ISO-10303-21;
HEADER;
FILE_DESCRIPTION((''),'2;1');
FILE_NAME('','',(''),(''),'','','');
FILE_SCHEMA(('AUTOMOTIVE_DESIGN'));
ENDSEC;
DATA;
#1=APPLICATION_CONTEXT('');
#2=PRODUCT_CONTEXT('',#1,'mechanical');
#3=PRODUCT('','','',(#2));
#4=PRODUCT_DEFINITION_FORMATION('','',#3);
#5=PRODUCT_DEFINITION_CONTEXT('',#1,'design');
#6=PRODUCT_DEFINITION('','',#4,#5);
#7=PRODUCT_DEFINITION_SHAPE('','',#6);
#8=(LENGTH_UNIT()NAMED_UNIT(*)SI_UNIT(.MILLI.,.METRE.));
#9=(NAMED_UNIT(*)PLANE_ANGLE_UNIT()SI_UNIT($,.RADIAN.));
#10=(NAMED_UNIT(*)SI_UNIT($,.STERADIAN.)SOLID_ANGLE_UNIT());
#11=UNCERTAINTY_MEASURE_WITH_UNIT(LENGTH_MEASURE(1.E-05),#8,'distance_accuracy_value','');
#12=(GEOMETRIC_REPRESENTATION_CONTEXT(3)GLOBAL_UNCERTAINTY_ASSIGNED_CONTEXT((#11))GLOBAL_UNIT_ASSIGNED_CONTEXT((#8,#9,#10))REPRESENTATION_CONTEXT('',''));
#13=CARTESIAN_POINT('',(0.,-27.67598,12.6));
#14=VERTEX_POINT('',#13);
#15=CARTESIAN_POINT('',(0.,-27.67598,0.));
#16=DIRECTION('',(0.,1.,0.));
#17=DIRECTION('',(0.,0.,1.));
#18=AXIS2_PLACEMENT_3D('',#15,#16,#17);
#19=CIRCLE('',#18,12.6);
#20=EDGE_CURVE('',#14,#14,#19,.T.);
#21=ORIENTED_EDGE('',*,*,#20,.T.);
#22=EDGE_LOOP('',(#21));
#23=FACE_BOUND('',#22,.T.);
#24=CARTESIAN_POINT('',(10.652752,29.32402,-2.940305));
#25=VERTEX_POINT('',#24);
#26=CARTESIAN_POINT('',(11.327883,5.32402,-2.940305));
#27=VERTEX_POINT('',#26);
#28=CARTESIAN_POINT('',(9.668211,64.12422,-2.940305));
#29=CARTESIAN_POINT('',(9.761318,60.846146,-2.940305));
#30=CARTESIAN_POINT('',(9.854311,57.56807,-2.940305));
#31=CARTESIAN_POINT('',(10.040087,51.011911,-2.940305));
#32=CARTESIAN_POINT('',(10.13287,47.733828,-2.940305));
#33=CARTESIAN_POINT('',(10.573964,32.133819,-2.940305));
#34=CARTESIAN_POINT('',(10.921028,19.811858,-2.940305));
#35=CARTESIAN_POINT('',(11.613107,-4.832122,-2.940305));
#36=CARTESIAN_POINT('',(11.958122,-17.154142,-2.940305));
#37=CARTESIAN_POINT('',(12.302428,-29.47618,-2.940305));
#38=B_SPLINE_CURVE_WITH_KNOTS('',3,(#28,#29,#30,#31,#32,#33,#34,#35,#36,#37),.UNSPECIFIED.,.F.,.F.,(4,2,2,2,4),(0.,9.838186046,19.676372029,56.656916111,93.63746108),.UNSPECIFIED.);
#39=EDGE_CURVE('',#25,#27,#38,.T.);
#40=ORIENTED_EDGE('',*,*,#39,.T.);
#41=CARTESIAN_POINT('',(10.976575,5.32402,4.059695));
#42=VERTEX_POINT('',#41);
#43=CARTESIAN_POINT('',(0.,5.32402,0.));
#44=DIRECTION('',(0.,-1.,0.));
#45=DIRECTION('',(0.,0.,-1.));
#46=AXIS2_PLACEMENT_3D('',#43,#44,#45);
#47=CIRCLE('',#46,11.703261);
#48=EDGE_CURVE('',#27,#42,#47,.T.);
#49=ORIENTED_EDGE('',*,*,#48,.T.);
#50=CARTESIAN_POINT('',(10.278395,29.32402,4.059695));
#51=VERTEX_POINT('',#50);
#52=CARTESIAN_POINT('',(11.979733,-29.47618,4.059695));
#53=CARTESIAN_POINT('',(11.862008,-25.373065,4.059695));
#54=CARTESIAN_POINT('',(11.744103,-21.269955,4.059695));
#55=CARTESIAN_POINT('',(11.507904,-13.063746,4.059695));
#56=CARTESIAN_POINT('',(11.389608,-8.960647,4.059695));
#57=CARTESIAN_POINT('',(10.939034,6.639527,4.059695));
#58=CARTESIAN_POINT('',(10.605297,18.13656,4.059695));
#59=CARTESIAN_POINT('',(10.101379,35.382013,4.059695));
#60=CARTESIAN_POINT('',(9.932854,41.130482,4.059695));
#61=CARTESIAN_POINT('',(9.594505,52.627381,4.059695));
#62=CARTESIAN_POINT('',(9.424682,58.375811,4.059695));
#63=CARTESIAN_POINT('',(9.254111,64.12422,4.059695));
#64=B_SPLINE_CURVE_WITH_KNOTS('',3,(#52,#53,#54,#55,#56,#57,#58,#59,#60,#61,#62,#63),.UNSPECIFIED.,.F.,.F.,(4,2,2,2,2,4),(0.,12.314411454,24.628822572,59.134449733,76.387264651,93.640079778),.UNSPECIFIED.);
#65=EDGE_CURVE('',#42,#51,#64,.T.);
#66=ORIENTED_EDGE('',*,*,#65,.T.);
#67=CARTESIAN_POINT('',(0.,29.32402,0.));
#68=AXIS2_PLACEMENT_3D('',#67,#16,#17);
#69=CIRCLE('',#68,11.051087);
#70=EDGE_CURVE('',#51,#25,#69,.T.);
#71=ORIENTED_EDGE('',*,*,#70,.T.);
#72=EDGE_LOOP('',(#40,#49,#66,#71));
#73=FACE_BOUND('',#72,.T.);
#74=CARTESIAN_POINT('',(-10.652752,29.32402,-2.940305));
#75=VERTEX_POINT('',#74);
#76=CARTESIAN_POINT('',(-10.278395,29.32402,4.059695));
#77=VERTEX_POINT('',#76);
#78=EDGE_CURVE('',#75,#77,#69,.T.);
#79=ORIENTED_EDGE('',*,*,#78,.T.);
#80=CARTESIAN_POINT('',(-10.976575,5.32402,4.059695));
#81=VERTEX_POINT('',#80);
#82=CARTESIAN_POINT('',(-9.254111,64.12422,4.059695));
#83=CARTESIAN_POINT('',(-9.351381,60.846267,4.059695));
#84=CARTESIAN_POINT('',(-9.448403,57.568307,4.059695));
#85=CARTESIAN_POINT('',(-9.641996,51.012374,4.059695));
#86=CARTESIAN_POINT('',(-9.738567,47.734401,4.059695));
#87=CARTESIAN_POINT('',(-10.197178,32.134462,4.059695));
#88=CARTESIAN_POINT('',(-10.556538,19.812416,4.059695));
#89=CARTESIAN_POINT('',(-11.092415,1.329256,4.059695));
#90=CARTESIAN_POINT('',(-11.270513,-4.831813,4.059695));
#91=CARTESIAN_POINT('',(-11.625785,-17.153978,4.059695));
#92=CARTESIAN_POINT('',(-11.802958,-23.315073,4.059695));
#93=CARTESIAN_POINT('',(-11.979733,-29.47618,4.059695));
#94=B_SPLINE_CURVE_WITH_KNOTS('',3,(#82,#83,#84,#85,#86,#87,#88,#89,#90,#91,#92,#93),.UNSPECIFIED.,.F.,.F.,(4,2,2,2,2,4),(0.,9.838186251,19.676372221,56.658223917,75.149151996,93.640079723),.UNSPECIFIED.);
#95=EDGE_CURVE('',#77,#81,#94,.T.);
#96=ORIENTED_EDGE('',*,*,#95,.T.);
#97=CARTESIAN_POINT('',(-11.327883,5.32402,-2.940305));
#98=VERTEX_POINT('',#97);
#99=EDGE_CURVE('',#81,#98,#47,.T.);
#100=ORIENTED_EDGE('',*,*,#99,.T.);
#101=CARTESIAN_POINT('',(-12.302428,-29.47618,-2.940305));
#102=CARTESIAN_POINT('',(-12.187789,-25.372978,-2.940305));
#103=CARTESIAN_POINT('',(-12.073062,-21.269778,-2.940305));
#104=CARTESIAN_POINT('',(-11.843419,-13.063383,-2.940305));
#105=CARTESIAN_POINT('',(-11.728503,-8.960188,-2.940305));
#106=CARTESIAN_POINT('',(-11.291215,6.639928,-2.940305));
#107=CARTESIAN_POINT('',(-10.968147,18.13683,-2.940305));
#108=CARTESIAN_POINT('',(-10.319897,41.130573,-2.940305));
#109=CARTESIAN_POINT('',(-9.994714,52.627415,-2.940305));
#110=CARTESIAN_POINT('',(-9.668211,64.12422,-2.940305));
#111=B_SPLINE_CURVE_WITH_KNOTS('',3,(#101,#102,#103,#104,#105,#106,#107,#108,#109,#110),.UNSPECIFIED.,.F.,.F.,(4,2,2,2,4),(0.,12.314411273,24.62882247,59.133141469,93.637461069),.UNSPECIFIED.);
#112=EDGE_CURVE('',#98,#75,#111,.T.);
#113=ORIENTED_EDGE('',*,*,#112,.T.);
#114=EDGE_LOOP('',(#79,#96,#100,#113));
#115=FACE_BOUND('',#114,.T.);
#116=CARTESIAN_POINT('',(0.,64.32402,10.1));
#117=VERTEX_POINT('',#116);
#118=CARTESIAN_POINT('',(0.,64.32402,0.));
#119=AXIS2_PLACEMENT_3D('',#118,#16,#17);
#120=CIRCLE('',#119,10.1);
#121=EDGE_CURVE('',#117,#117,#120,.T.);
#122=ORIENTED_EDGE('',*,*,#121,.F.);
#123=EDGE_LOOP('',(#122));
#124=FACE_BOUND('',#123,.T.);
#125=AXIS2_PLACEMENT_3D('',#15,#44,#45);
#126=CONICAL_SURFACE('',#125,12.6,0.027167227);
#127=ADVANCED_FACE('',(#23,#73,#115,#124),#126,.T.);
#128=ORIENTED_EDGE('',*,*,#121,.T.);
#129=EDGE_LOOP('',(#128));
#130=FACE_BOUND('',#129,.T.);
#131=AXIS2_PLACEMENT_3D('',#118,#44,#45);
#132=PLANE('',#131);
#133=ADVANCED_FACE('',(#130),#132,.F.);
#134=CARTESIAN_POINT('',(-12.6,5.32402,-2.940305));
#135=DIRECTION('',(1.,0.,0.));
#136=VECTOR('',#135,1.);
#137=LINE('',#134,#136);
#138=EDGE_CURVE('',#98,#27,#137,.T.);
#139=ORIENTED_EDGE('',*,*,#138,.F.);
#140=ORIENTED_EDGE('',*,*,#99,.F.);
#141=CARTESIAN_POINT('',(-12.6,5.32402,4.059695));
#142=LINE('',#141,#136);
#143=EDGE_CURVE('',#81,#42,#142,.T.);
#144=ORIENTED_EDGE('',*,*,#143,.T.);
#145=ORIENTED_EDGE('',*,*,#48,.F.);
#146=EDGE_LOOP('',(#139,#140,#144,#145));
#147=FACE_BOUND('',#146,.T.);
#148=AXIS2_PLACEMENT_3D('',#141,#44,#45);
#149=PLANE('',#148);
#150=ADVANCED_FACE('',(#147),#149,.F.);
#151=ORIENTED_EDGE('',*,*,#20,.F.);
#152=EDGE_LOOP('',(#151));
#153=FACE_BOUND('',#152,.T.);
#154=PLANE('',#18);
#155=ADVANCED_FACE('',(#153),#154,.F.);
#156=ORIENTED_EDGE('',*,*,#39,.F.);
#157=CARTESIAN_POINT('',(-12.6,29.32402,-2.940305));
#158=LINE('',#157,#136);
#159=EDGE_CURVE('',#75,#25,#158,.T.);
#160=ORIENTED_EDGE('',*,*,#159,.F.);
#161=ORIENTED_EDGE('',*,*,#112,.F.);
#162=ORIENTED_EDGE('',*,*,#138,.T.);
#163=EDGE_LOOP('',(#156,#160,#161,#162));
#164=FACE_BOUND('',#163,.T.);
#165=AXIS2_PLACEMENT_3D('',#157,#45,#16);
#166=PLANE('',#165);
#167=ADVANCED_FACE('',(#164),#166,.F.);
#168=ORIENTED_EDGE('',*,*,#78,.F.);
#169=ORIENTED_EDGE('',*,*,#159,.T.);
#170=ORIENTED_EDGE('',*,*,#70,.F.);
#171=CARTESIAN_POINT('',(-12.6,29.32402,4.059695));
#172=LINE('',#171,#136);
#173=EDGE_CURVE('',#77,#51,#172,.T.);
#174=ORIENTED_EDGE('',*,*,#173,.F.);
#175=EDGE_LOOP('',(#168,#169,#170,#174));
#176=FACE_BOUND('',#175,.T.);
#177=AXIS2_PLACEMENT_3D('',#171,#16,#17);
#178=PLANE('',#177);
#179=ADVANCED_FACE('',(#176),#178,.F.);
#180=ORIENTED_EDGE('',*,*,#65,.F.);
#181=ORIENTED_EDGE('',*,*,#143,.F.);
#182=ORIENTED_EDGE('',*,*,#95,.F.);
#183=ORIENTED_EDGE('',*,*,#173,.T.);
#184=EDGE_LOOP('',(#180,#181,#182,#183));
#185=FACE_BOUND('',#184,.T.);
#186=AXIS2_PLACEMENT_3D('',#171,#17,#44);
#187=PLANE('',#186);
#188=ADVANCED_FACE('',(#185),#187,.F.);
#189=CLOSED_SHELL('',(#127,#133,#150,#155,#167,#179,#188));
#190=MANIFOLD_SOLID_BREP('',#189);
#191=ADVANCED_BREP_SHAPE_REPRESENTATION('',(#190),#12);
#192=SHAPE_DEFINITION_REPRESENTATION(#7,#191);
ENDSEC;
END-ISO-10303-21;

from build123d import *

# Parameters (mm, degrees)
CUT_EXTRUDE1_DEPTH      = 67.746531734
CUT_EXTRUDE1_DEPTH_BACK = 67.746531734
SKETCH3_W               = 7
SKETCH3_H               = 24


with BuildPart() as part:
    # Sketch2 → Revolve1 (revolve)
    with BuildSketch(Plane.XY, mode=Mode.PRIVATE) as revolve1_sk:
        Polygon((0, 64.324019608), (10.1, 64.324019608), (12.6, -27.675980392), (0, -27.675980392), align=None)
    revolve(revolve1_sk.sketch.rotate(Axis((0, 86.777607614, 0), (0, -1, 0)), 90), axis=Axis((0, 86.777607614, 0), (0, -1, 0)))

    # Sketch3 → Cut-Extrude1 (cut, two sides: drawn at the far end of the back side and taken through both)
    with BuildSketch(Plane(origin=(0, 0, 0), x_dir=(0, 0, -1), z_dir=(1, 0, 0)).offset(-CUT_EXTRUDE1_DEPTH_BACK)):
        with Locations((-0.559695247, 17.324019608)):
            Rectangle(SKETCH3_W, SKETCH3_H)
    extrude(amount=CUT_EXTRUDE1_DEPTH + CUT_EXTRUDE1_DEPTH_BACK, mode=Mode.SUBTRACT)


solid = part.part
